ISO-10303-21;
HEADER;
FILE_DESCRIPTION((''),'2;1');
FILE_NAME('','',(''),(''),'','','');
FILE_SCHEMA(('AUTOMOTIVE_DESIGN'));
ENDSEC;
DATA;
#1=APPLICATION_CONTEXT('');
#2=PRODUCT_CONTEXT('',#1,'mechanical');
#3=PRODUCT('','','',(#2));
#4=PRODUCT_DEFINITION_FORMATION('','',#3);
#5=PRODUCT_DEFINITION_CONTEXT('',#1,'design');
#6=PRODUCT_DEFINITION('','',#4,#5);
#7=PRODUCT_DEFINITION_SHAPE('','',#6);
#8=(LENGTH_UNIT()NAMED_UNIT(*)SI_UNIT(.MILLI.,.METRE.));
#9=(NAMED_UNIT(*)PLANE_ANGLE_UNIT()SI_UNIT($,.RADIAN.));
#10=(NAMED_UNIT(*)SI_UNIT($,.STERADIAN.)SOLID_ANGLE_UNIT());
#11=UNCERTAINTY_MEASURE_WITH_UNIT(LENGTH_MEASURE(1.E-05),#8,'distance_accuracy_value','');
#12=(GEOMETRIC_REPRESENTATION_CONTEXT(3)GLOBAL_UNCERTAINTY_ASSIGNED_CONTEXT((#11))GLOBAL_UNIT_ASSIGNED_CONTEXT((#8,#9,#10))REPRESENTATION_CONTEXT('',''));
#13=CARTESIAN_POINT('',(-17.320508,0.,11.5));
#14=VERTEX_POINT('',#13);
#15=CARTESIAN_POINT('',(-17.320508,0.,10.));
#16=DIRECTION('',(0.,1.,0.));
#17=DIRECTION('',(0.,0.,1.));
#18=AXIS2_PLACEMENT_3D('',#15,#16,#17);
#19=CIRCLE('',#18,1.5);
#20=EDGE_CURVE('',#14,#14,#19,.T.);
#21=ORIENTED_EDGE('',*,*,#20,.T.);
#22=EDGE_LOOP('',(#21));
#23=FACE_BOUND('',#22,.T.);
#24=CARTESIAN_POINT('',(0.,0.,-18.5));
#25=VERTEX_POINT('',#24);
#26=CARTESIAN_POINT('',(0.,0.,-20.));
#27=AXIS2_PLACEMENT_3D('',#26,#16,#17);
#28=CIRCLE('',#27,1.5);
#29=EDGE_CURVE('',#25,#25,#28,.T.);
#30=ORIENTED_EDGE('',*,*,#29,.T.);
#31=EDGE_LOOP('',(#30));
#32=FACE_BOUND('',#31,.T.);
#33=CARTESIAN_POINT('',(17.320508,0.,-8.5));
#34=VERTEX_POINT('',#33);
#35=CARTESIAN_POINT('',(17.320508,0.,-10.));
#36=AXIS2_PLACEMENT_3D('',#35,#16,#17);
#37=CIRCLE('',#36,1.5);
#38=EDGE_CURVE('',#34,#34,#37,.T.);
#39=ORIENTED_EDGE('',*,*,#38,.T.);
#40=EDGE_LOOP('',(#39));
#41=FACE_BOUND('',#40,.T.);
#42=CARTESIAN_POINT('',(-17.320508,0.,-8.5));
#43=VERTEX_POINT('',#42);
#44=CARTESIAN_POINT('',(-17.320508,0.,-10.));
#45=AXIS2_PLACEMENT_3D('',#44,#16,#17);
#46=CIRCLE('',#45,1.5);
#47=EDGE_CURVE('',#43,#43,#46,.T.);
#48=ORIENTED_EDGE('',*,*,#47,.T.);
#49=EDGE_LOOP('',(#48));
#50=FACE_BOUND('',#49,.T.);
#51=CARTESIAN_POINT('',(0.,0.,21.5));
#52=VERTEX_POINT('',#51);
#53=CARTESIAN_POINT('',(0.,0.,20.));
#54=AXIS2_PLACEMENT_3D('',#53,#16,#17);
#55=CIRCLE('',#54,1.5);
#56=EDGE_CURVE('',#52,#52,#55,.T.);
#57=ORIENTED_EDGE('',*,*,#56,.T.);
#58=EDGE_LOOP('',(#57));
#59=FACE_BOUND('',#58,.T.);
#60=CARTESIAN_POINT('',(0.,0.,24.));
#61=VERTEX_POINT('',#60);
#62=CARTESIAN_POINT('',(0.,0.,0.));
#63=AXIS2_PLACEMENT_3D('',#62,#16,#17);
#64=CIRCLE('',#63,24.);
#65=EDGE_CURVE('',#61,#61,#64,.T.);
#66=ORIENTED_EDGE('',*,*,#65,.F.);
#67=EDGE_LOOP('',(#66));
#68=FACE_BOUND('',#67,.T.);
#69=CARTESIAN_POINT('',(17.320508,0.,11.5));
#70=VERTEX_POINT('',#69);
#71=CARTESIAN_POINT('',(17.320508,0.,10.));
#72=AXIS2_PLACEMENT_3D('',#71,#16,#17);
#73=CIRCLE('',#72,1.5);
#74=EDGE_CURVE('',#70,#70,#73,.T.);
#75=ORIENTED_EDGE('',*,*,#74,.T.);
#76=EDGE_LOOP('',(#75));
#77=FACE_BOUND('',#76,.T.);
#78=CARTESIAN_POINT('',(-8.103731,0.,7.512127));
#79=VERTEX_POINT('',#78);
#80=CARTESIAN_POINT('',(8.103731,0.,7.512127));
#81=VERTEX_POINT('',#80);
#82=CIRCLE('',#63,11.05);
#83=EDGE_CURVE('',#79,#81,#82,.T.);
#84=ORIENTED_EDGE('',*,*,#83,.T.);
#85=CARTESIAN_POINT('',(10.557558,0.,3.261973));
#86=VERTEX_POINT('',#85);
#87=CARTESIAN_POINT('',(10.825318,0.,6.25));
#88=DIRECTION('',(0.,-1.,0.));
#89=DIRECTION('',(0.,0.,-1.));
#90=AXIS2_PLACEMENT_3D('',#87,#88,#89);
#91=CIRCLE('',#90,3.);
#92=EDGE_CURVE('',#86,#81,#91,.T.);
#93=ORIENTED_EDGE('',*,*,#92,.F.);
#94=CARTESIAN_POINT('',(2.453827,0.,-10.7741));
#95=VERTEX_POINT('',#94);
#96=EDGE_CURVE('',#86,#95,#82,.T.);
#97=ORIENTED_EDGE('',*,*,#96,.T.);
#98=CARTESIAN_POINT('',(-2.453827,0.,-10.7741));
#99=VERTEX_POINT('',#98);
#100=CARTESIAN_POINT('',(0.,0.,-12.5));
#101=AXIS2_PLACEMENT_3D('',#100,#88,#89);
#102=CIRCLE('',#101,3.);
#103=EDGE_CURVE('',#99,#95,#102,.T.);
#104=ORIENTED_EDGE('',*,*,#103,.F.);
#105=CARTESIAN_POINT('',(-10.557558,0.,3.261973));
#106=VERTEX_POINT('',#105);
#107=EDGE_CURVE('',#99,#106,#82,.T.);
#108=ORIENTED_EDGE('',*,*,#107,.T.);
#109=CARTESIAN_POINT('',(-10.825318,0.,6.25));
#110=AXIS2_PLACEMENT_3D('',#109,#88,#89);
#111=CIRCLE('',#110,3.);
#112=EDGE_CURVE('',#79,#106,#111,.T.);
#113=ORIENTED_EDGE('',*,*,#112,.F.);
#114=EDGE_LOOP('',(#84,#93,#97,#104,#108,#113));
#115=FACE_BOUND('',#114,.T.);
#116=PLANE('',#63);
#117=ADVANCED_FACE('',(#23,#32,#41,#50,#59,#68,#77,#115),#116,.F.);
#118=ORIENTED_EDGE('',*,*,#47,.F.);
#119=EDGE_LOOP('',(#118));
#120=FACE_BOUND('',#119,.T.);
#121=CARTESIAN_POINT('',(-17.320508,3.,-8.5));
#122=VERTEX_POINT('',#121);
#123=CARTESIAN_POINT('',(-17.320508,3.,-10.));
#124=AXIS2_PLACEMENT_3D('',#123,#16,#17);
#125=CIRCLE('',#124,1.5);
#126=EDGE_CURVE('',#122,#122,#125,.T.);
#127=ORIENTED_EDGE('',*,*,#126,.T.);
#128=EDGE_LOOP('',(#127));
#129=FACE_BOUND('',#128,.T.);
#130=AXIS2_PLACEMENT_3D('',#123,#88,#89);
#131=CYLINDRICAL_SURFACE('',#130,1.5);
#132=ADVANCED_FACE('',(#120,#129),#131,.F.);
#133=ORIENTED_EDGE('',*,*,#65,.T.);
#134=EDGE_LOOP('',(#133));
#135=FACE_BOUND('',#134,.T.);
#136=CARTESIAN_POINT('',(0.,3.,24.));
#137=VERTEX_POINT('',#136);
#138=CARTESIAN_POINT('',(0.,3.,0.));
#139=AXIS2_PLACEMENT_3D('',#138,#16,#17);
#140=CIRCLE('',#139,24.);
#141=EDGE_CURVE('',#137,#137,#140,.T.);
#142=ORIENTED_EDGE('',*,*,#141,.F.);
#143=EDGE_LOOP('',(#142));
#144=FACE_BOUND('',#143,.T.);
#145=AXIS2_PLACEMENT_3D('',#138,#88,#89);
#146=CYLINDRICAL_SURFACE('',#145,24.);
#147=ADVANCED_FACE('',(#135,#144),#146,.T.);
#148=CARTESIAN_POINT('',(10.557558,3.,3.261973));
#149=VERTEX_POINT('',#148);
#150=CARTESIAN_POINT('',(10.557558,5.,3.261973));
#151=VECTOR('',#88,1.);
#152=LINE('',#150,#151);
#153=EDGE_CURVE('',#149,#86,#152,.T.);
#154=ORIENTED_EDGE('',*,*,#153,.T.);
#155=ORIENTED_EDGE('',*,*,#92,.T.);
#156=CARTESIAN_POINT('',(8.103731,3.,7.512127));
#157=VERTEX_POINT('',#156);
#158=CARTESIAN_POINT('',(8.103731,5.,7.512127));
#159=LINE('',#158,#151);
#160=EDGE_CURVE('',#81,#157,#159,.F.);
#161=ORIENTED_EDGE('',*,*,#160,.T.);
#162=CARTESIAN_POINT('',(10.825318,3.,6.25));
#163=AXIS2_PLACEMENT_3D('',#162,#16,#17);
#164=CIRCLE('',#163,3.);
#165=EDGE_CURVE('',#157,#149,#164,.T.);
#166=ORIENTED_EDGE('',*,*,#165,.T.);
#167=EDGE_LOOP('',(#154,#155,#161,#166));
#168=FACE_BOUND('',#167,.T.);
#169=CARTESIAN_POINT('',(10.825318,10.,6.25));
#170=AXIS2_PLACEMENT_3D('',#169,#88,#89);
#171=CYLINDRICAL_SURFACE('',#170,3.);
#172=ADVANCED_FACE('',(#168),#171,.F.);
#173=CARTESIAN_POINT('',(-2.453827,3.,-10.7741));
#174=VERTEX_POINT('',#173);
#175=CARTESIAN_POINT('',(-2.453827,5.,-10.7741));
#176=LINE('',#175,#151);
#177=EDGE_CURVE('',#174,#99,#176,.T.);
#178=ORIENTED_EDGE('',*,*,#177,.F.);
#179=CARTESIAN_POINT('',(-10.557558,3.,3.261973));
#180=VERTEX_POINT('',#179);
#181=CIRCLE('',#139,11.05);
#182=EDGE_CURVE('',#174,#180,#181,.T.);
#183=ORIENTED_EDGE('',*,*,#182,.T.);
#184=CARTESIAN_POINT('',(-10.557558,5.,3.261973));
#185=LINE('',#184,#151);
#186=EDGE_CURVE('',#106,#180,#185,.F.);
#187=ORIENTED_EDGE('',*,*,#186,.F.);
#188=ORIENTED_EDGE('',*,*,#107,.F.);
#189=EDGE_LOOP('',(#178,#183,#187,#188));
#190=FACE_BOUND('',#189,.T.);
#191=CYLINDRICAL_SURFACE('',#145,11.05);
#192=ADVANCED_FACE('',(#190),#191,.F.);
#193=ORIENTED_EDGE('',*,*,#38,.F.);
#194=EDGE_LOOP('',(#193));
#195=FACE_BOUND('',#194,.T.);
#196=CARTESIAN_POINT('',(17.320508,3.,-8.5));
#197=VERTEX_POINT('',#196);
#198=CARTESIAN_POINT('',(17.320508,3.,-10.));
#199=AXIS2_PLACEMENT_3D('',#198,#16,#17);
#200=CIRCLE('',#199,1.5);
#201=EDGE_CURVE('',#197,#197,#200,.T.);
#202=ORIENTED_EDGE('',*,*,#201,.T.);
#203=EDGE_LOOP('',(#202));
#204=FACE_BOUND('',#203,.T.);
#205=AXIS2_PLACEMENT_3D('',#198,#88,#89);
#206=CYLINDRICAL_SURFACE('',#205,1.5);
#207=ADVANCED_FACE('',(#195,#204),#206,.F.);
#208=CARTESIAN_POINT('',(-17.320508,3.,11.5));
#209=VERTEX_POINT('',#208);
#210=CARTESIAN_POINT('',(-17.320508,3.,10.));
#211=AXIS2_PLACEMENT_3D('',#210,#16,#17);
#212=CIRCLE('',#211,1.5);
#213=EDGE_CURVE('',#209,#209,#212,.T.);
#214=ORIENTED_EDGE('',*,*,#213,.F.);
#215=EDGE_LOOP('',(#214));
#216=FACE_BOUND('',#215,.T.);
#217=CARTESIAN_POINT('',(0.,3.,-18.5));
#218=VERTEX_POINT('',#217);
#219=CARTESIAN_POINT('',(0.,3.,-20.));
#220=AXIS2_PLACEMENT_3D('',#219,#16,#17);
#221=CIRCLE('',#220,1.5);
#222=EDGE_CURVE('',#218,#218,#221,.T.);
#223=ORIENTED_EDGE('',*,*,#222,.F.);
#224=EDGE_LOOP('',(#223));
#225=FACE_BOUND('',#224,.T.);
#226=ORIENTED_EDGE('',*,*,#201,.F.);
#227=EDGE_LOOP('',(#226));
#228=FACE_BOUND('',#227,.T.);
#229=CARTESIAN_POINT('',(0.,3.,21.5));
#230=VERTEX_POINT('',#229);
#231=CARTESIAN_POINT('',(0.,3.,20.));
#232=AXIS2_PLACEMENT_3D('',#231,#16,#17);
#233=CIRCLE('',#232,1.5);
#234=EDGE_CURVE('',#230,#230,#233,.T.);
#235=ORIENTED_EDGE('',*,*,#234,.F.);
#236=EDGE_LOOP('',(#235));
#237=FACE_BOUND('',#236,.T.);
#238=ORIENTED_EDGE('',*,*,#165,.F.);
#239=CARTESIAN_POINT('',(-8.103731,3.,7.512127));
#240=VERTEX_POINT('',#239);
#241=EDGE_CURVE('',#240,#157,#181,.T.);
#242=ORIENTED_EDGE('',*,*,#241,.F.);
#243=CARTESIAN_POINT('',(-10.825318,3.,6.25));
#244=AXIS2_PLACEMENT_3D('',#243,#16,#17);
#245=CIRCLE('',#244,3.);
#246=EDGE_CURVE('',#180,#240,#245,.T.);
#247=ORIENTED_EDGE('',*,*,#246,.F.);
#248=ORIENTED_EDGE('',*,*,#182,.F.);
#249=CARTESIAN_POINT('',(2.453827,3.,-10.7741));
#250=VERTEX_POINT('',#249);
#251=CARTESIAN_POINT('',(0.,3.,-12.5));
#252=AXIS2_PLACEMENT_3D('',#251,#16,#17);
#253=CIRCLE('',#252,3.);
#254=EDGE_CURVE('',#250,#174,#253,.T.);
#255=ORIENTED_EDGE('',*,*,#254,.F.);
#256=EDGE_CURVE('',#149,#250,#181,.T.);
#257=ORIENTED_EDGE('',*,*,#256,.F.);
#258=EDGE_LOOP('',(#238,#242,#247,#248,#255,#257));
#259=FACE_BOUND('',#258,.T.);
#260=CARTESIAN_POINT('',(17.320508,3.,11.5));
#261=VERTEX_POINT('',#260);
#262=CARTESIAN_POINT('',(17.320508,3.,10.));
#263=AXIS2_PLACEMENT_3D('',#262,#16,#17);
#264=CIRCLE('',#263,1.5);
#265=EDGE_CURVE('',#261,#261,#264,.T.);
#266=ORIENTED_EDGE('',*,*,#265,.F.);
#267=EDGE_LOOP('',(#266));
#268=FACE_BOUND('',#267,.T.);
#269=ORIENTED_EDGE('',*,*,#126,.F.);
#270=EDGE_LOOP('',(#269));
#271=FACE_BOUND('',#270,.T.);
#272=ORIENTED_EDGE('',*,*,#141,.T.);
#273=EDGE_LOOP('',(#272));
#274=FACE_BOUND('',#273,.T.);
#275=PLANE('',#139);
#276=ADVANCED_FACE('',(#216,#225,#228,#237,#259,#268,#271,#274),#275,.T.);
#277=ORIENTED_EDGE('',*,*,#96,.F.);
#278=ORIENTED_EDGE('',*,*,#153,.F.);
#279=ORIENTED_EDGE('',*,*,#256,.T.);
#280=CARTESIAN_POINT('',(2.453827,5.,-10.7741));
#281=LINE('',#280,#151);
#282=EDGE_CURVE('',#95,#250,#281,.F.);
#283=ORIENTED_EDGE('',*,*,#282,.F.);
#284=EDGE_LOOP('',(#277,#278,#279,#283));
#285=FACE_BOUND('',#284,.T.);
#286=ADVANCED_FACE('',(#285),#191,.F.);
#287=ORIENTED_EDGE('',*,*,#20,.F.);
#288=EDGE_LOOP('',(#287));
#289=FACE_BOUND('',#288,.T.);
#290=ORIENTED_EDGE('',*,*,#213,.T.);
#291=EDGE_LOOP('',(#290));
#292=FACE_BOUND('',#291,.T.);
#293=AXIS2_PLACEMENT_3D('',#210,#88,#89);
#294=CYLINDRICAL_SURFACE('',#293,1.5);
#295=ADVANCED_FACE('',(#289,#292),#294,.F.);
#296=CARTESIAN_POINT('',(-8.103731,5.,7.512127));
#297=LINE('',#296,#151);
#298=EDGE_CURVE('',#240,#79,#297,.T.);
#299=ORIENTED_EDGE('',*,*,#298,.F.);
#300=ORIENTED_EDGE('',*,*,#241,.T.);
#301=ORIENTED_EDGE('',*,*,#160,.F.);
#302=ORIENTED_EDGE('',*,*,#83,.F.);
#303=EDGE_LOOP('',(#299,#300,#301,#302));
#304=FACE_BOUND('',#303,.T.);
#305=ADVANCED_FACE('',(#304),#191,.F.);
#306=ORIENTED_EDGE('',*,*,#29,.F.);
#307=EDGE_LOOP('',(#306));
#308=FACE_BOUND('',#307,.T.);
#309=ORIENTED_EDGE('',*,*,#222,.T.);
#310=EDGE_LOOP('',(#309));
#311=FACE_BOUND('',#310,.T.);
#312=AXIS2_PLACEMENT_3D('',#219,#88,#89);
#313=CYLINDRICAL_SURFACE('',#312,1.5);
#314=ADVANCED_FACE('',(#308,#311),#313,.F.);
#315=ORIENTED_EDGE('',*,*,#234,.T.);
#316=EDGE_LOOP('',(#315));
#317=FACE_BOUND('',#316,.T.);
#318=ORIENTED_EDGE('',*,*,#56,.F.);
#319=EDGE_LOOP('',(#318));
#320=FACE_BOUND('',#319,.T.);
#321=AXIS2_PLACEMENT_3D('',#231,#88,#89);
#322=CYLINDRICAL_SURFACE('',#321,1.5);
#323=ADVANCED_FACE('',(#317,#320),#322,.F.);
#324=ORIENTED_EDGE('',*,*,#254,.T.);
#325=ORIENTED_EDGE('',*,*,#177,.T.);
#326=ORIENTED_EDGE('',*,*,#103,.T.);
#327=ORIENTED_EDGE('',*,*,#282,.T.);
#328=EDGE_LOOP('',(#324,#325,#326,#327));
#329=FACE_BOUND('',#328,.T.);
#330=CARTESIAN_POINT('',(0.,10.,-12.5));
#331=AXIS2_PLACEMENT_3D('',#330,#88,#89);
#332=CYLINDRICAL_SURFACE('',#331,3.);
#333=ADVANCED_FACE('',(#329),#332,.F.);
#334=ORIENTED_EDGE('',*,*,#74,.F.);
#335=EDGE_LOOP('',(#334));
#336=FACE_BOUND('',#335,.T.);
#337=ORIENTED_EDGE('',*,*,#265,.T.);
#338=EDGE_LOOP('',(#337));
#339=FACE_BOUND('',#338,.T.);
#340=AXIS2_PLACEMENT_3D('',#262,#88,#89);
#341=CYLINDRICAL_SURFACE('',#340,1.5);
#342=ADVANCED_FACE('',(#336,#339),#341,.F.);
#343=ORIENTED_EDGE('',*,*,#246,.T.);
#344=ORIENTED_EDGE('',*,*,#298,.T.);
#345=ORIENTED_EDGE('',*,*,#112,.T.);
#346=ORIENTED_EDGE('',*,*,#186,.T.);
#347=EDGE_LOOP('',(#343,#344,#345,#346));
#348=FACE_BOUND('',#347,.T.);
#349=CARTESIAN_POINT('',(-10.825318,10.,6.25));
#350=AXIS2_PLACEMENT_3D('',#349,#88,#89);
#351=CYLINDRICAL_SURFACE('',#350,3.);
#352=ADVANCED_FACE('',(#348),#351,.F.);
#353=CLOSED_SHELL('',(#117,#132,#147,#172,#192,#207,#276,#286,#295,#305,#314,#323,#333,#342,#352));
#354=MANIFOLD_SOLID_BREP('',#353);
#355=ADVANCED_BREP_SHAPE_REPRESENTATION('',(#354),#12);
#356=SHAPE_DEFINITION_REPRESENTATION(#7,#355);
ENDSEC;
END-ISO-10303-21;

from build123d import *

# Parameters (mm, degrees)
SKETCH_1_R          = 24
SKETCH_1_R_2        = 11.05
SKETCH_1_R_3        = 1.5
SKETCH_1_R_4        = 1.4
EXTRUDE_1_DEPTH     = 3
SKETCH_2_R          = 3
CUT_EXTRUDE_1_DEPTH = 10


with BuildPart() as part:
    # 草图1 → 凸台-拉伸1 (new body)
    with BuildSketch(Plane(origin=(0, 0, 0), x_dir=(1, 0, 0), z_dir=(0, 1, 0))):
        with Locations(Location((0, 0, 0), (0, 0, 270))):
            Circle(SKETCH_1_R)
        with Locations(Location((0, 0, 0), (0, 0, 270))):
            Circle(SKETCH_1_R_2, mode=Mode.SUBTRACT)
        with Locations(Location((0, 20, 0), (0, 0, 270))):
            Circle(SKETCH_1_R_3, mode=Mode.SUBTRACT)
        with Locations(Location((0, 12.5, 0), (0, 0, 270))):
            Circle(SKETCH_1_R_4, mode=Mode.SUBTRACT)
        with Locations(Location((17.320508076, 10, 0), (0, 0, 270))):
            Circle(SKETCH_1_R_3, mode=Mode.SUBTRACT)
        with Locations(Location((17.320508076, -10, 0), (0, 0, 270))):
            Circle(SKETCH_1_R_3, mode=Mode.SUBTRACT)
        with Locations(Location((0, -20, 0), (0, 0, 270))):
            Circle(SKETCH_1_R_3, mode=Mode.SUBTRACT)
        with Locations(Location((-17.320508076, -10, 0), (0, 0, 270))):
            Circle(SKETCH_1_R_3, mode=Mode.SUBTRACT)
        with Locations(Location((-17.320508076, 10, 0), (0, 0, 270))):
            Circle(SKETCH_1_R_3, mode=Mode.SUBTRACT)
        with Locations(Location((10.825317547, -6.25, 0), (0, 0, 270))):
            Circle(SKETCH_1_R_4, mode=Mode.SUBTRACT)
        with Locations(Location((-10.825317547, -6.25, 0), (0, 0, 270))):
            Circle(SKETCH_1_R_4, mode=Mode.SUBTRACT)
    extrude(amount=EXTRUDE_1_DEPTH)

    # 草图2 → 切除-拉伸1 (cut)
    with BuildSketch(Plane.XZ):
        with Locations((10.825317547, 6.25)):
            Circle(SKETCH_2_R)
        with Locations((-10.825317547, 6.25)):
            Circle(SKETCH_2_R)
        with Locations((0, -12.5)):
            Circle(SKETCH_2_R)
    extrude(amount=-CUT_EXTRUDE_1_DEPTH, mode=Mode.SUBTRACT)


solid = part.part
